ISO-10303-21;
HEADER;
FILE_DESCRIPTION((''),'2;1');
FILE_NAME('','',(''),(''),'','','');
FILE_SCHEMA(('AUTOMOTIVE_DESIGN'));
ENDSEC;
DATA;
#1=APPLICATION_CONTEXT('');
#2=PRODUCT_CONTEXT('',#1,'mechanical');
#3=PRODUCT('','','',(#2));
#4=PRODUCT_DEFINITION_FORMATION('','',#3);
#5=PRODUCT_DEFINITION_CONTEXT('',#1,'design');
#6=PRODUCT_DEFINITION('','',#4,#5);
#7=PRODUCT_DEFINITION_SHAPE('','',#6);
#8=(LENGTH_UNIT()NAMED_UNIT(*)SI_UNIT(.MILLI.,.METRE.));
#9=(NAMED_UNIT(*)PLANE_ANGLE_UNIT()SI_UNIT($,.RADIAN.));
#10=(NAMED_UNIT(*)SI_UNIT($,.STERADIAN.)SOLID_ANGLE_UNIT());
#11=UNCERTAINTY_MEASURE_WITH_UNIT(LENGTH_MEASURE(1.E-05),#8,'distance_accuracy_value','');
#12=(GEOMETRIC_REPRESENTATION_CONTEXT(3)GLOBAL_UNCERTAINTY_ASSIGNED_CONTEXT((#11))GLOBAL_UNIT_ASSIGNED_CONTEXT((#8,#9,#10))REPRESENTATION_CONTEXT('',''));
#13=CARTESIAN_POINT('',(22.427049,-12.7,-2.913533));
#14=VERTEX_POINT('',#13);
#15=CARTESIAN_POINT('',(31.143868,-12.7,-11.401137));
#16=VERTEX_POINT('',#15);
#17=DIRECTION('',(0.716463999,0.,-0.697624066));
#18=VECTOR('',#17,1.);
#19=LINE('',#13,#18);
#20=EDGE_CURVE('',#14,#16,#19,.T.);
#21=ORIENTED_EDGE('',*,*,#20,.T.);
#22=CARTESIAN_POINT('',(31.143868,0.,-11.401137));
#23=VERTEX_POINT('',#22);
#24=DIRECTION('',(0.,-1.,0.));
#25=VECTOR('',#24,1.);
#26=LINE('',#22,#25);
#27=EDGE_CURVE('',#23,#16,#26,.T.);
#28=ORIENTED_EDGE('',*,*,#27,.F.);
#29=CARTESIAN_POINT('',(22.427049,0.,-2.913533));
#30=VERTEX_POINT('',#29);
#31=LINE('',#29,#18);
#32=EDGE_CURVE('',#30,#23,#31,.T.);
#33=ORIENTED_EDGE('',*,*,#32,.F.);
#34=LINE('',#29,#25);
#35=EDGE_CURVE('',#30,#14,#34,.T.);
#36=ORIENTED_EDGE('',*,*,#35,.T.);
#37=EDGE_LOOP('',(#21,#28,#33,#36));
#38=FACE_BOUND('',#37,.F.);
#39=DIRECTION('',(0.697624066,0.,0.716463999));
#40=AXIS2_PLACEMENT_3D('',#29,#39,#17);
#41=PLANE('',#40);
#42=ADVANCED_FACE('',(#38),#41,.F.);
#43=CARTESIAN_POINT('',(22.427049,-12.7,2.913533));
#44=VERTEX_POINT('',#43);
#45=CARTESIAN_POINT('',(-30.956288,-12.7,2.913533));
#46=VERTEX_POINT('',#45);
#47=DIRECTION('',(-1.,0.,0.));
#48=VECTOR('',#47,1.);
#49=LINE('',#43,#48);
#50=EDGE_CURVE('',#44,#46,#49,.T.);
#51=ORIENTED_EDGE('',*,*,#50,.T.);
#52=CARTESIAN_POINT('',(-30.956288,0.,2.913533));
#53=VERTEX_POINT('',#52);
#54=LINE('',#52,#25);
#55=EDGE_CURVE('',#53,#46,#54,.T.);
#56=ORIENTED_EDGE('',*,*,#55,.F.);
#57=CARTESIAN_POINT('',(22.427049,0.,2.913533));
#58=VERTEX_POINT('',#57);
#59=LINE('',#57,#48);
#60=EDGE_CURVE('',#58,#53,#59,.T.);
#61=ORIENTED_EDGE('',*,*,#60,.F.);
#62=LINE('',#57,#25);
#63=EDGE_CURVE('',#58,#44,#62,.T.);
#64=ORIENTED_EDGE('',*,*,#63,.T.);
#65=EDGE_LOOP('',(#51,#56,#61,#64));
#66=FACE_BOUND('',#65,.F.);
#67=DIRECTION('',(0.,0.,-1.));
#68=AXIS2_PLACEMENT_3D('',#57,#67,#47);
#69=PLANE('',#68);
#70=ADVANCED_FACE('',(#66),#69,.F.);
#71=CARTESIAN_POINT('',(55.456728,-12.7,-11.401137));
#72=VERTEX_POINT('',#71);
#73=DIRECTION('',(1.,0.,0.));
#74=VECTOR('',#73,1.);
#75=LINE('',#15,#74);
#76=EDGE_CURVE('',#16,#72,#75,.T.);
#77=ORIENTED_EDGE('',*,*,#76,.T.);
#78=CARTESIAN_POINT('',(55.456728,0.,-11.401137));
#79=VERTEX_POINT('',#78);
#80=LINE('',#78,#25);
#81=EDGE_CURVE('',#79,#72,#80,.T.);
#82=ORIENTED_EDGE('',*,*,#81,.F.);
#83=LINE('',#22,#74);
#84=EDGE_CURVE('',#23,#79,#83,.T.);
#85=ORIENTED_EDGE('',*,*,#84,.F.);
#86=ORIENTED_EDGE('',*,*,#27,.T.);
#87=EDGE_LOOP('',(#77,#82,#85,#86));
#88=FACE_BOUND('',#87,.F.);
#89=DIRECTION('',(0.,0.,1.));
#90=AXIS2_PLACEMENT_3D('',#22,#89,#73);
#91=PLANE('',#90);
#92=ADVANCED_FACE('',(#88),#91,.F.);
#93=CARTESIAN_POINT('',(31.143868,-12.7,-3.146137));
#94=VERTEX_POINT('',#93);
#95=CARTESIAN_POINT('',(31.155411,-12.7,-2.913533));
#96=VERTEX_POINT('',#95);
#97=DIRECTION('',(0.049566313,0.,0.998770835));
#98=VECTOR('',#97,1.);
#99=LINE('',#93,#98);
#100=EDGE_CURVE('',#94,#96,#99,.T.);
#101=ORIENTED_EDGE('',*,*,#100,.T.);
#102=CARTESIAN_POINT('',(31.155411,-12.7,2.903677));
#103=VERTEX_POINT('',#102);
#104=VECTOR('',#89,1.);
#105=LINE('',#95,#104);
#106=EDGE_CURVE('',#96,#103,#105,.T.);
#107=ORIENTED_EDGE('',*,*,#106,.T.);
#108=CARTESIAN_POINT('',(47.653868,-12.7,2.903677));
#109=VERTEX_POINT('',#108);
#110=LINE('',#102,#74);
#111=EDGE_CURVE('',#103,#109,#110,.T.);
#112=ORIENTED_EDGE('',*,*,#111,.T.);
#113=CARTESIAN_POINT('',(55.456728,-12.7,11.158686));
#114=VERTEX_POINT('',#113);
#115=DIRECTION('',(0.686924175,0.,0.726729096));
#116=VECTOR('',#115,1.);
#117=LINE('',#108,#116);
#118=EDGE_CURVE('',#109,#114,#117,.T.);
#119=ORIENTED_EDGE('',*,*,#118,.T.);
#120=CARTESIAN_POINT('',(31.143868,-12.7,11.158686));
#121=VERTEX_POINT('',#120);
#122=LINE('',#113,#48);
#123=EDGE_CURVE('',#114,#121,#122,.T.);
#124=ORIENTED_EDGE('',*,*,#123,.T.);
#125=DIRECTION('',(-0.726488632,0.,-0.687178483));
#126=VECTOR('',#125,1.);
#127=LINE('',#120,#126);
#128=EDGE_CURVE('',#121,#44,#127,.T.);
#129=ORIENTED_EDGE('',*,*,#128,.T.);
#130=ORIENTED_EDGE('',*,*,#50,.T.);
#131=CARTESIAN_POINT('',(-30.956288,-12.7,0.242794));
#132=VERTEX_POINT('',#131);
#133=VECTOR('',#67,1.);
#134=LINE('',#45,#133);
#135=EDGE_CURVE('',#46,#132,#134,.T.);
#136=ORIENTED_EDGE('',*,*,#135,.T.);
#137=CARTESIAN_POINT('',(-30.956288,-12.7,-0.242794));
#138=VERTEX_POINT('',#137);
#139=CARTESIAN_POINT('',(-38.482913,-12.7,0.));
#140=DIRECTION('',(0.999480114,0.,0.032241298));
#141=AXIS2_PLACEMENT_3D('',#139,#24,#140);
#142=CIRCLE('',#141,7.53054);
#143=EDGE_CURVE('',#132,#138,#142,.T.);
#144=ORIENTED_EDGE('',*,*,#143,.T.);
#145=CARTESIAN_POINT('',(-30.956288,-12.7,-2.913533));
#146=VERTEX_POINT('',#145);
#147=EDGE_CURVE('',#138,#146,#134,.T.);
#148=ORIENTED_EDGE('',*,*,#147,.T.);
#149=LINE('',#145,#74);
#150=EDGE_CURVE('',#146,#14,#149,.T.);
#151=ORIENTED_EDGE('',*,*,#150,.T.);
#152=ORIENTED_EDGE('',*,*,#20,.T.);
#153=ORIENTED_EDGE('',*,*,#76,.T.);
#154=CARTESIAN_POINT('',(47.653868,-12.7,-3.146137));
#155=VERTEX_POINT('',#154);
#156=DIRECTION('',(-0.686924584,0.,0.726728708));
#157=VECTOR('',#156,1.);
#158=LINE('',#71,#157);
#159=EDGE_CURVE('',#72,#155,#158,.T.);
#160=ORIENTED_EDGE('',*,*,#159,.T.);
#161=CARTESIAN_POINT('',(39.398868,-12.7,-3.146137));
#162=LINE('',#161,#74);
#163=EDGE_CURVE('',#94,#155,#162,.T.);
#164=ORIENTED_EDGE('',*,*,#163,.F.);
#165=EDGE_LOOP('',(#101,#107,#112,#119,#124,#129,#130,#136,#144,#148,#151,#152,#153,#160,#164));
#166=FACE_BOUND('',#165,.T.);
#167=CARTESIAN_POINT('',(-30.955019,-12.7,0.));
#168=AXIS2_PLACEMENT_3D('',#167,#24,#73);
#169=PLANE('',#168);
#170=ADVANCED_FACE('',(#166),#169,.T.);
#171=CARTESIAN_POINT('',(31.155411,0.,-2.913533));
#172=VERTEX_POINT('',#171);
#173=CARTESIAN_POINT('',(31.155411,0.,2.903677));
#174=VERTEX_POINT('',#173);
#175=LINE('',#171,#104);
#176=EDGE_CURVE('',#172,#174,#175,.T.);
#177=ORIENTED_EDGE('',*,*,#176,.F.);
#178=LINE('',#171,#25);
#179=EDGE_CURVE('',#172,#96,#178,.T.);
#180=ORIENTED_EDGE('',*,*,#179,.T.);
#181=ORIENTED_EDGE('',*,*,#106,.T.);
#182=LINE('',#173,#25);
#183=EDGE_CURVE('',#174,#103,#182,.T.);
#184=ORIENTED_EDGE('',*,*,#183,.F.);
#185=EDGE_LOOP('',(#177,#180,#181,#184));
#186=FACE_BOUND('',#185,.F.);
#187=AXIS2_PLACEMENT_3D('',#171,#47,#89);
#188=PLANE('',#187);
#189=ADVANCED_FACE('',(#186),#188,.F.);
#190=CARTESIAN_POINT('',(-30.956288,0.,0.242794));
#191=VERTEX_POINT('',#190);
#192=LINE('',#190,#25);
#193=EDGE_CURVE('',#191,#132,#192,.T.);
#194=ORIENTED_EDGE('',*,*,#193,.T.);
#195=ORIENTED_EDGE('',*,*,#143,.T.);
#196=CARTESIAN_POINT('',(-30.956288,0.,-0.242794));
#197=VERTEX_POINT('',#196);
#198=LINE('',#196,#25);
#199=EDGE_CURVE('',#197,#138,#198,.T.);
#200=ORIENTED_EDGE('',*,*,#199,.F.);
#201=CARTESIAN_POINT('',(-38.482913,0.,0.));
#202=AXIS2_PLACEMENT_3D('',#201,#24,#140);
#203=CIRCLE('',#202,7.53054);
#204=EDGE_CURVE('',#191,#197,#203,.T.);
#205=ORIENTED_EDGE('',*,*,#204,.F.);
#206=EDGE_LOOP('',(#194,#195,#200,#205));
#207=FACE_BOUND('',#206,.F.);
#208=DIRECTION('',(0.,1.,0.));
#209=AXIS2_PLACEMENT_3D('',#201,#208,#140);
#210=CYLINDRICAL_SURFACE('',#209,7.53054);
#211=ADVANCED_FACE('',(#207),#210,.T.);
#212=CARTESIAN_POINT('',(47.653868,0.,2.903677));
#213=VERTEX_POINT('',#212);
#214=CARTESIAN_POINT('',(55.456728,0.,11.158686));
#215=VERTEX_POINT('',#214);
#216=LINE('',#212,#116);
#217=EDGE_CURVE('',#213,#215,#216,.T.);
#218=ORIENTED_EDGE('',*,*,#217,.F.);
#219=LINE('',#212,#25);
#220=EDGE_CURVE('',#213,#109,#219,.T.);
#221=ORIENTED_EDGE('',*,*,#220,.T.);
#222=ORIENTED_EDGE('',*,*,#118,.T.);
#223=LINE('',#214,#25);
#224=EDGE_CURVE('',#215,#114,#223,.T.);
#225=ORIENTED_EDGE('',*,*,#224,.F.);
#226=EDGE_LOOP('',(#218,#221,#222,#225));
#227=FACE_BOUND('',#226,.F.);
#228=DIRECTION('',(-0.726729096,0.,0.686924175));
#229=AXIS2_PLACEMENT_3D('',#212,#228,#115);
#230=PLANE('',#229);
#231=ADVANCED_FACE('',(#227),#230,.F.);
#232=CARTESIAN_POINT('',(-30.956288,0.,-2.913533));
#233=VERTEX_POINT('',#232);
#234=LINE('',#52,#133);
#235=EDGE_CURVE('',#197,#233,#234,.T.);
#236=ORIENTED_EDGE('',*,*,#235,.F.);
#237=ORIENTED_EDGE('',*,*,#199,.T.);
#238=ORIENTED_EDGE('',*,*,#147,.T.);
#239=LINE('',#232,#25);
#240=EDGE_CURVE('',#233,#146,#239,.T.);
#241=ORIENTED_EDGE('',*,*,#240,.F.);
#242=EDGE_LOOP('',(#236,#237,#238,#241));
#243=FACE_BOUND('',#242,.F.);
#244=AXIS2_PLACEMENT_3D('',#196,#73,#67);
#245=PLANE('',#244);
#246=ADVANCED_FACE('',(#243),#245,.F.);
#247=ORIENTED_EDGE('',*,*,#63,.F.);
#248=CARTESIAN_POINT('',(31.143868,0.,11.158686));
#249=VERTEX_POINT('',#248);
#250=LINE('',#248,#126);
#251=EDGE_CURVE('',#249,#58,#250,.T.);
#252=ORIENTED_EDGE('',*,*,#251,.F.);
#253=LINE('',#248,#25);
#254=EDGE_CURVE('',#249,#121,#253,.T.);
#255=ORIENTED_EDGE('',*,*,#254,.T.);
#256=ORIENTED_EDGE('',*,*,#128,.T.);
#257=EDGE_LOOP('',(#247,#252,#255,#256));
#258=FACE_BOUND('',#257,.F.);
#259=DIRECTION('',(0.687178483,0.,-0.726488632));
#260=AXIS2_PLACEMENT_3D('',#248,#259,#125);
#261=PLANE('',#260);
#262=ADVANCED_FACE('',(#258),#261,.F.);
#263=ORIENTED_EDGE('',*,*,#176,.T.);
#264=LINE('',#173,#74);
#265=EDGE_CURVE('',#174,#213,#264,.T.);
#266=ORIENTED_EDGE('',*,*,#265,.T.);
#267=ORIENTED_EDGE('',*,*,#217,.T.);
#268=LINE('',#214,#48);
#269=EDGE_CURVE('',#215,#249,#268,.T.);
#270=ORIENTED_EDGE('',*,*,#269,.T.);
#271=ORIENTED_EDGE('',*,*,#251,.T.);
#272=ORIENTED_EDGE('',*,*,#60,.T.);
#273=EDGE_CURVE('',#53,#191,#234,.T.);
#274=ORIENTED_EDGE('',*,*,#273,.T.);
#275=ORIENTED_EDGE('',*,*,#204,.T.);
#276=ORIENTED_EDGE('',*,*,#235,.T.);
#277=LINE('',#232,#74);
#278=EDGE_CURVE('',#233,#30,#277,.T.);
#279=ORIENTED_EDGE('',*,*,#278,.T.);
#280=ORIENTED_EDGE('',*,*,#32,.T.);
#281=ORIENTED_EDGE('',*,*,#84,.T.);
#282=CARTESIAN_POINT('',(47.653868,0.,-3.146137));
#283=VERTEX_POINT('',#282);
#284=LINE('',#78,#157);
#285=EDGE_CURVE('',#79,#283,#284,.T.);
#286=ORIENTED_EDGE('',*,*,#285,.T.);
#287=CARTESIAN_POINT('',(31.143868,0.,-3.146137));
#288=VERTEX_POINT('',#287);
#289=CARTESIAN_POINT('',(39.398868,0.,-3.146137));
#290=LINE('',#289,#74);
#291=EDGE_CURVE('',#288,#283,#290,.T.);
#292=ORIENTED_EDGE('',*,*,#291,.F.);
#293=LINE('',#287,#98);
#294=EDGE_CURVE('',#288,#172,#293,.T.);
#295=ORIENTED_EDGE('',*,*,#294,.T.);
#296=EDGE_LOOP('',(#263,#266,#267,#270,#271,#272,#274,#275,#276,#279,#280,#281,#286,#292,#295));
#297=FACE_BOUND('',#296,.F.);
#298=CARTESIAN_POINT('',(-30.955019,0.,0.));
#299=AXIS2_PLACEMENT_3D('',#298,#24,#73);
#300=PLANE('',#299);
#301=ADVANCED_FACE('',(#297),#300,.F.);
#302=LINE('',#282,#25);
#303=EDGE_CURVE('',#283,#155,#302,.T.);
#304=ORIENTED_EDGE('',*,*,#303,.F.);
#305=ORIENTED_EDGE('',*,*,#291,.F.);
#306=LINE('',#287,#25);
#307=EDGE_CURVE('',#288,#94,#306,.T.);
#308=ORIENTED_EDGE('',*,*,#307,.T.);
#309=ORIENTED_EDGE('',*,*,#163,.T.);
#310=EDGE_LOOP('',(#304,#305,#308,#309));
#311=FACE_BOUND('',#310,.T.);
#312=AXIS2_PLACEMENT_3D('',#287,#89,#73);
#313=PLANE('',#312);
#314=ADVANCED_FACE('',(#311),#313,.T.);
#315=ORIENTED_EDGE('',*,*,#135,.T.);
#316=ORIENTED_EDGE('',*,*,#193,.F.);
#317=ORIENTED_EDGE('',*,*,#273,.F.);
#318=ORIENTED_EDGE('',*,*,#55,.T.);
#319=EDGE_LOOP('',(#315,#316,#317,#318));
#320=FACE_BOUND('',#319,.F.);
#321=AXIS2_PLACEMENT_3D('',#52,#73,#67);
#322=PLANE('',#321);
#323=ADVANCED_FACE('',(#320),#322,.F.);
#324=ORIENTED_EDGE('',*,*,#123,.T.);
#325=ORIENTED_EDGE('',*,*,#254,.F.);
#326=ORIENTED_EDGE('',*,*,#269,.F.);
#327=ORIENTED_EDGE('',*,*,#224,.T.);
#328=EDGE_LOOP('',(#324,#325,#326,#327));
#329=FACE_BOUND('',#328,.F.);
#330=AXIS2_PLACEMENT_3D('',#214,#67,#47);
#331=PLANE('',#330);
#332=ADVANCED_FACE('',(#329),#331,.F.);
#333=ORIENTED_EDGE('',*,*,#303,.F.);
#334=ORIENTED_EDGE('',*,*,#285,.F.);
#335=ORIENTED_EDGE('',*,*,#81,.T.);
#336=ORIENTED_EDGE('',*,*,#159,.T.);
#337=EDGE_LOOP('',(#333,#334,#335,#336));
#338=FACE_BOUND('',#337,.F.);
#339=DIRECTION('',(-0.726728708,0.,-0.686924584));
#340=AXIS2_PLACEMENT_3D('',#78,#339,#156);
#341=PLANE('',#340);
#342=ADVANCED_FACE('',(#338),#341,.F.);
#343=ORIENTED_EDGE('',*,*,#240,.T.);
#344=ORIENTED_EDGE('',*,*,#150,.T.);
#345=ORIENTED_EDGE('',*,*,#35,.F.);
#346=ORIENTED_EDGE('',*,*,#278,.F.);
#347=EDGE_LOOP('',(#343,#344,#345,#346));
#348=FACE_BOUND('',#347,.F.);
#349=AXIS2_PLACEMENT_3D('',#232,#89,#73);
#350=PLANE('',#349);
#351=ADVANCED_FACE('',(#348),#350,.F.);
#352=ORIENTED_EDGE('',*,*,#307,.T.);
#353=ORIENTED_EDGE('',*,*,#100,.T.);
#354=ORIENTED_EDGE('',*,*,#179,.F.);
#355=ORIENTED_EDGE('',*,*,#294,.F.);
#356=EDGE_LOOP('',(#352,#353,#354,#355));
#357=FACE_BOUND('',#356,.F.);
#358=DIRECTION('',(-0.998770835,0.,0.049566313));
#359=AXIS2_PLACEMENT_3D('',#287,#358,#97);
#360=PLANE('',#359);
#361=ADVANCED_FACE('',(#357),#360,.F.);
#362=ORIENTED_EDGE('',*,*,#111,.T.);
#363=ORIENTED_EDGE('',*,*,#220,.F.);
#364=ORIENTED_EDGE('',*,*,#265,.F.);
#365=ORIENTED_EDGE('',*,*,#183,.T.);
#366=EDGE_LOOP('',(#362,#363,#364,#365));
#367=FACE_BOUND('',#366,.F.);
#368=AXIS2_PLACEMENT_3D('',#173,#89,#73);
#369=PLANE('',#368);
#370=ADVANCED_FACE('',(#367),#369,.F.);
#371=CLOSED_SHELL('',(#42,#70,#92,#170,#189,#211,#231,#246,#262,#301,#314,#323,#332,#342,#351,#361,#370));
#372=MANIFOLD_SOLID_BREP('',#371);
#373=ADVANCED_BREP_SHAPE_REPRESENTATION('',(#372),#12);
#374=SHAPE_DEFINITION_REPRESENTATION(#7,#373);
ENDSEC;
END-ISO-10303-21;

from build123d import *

# Parameters (mm, degrees)
F0_W     = 8.5292397036
F0_H     = 5.8270652971
F0_W_2   = 16.51
F0_H_2   = 8.255
F0_W_3   = 0.0115435171
F0_H_3   = 0.0098554845
F1_DEPTH = 12.7


with BuildPart() as f1:
    # F0 (on Front) → F1 (new body)
    with BuildSketch(Plane.XZ):
        with BuildLine():
            ThreePointArc((-30.9562882377, -0.2427943825), (-30.9533520359, -0.1214129725), (-30.9523732171, 0))
            ThreePointArc((-30.9523732171, 0), (-30.9533520359, 0.1214129725), (-30.9562882377, 0.2427943825))
            Line((-30.9562882377, 0.2427943825), (-30.9562882377, -0.2427943825))
        make_face()
        with BuildLine():
            ThreePointArc((-30.9562882377, 0.2427943825), (-30.9533520359, 0.1214129725), (-30.9523732171, 0))
            ThreePointArc((-30.9523732171, 0), (-30.9533520359, -0.1214129725), (-30.9562882377, -0.2427943825))
            Line((-30.9562882377, -0.2427943825), (-30.9562882377, -2.9135326485))
            Line((-30.9562882377, -2.9135326485), (22.4270485342, -2.9135326485))
            Line((22.4270485342, -2.9135326485), (22.4270485342, 2.9135326485))
            Line((22.4270485342, 2.9135326485), (-30.9562882377, 2.9135326485))
            Line((-30.9562882377, 2.9135326485), (-30.9562882377, 0.2427943825))
        make_face()
        with BuildLine():
            Line((-30.9562882377, -0.2427943825), (-30.9562882377, 0.2427943825))
            ThreePointArc((-30.9562882377, 0.2427943825), (-46.0134532551, 0), (-30.9562882377, -0.2427943825))
        make_face()
        Polygon((31.1438676369, 11.1586864903), (22.4270485342, 2.9135326485), (30.9562882377, 2.9135326485), (31.1438676369, 2.9135326485), align=None)
        with Locations((26.691668386, 0)):
            Rectangle(F0_W, F0_H)
        Polygon((30.9562882377, -2.9135326485), (22.4270485342, -2.9135326485), (31.1438676369, -11.4011367583), (31.1438676369, -3.1461367583), (31.155411154, -2.9135326485), align=None)
        Polygon((31.1438676369, 2.9135326485), (30.9562882377, 2.9135326485), (30.9562882377, -2.9135326485), (31.155411154, -2.9135326485), (31.155411154, 2.903677164), (31.1438676369, 2.903677164), align=None)
        Polygon((47.6538676369, 11.1586864903), (31.1438676369, 11.1586864903), (31.1438676369, 2.9135326485), (31.155411154, 2.9135326485), (31.155411154, 2.903677164), (47.6538676369, 2.903677164), align=None)
        with Locations((39.3988676369, -7.2736367583)):
            Rectangle(F0_W_2, F0_H_2)
        with Locations((31.1496393955, 2.9086049063)):
            Rectangle(F0_W_3, F0_H_3)
        Polygon((55.4567277431, 11.1586864903), (47.6538676369, 11.1586864903), (47.6538676369, 2.903677164), align=None)
        Polygon((47.6538676369, -3.1461367583), (47.6538676369, -11.4011367583), (55.4567277431, -11.4011367583), align=None)
    extrude(amount=F1_DEPTH)


solid = f1.part
